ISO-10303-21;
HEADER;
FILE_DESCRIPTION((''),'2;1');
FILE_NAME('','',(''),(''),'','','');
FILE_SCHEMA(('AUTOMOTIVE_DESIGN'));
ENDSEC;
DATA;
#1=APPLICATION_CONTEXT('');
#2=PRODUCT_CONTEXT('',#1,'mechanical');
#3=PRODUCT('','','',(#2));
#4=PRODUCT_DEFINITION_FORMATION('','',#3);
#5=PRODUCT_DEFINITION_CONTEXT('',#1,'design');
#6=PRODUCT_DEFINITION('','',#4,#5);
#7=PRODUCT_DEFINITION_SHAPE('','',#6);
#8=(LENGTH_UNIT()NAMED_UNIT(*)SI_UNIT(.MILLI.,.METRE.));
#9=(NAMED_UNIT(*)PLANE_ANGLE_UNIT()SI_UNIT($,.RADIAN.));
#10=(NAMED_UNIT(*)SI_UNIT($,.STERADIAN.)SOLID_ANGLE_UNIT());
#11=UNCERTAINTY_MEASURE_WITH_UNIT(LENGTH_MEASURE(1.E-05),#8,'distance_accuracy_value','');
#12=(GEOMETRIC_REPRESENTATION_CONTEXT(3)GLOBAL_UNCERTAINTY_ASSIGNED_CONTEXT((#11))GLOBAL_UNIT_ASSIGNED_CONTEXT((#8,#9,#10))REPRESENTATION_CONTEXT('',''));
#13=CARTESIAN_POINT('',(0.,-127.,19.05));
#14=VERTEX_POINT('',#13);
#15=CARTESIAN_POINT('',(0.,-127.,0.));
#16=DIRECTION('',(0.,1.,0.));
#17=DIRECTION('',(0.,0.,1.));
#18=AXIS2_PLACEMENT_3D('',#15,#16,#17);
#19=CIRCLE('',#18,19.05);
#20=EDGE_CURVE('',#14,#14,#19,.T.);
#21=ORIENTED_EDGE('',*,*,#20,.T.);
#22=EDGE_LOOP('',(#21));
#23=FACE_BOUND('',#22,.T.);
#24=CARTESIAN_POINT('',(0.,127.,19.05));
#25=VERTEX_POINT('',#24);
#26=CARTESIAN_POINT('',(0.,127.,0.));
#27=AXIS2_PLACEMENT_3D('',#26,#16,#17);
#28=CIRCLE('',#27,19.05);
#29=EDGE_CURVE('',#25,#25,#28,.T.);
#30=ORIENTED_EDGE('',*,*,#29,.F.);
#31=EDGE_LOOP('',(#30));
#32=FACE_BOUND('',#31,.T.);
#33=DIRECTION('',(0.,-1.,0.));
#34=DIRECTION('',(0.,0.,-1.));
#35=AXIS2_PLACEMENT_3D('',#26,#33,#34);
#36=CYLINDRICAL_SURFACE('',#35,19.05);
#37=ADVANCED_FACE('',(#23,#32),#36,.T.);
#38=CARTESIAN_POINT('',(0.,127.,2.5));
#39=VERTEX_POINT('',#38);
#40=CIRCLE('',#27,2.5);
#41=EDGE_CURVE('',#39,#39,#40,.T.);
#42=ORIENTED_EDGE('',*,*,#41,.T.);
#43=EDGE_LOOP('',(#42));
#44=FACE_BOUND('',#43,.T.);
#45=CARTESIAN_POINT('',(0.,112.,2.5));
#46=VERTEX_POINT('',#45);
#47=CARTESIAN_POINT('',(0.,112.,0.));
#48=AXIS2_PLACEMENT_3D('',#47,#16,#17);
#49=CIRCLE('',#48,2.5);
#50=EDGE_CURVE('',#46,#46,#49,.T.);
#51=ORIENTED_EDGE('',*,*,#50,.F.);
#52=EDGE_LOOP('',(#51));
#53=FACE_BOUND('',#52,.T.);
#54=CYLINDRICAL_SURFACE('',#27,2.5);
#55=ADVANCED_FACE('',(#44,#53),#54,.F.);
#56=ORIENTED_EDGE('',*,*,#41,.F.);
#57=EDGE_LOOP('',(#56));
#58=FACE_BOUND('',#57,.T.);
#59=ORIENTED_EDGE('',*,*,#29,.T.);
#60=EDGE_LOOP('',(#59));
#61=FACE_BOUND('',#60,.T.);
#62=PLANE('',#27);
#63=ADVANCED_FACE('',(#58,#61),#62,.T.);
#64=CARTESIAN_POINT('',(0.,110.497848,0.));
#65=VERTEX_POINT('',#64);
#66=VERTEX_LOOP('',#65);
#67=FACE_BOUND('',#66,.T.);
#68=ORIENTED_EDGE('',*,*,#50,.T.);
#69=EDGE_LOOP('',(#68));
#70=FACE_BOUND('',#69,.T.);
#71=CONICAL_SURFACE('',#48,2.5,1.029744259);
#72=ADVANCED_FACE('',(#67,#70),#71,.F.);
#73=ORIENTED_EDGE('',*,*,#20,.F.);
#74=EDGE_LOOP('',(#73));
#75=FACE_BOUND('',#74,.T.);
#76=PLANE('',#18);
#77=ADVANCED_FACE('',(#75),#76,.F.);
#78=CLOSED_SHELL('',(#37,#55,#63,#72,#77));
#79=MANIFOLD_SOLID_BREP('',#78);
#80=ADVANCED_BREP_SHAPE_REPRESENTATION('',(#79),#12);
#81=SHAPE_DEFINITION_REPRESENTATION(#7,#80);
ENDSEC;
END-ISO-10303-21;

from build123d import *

# Parameters (mm, degrees)
SKETCH1_R                 = 19.05
BOSS_EXTRUDE1_DEPTH       = 127
M6X1_0_TAPPED_HOLE1_D     = 5
M6X1_0_TAPPED_HOLE1_DEPTH = 15
M6X1_0_TAPPED_HOLE1_TIP   = 1.502151548


with BuildPart() as part:
    # Sketch1 → Boss-Extrude1 (new, symmetric)
    with BuildSketch(Plane(origin=(0, 0, 0), x_dir=(1, 0, 0), z_dir=(0, 1, 0))):
        with Locations(Location((0, 0, 0), (0, 0, 270))):
            Circle(SKETCH1_R)
    extrude(amount=BOSS_EXTRUDE1_DEPTH, both=True)

    # M6x1.0 Tapped Hole1
    with Locations(Plane(origin=(0, 127, 0), x_dir=(1, 0, 0), z_dir=(0, 1, 0))):
        with Locations((0, 0)):
            Hole(M6X1_0_TAPPED_HOLE1_D / 2, depth=M6X1_0_TAPPED_HOLE1_DEPTH)
            with Locations((0, 0, -(M6X1_0_TAPPED_HOLE1_DEPTH + M6X1_0_TAPPED_HOLE1_TIP / 2))):  # 118° drill point
                Cone(0, M6X1_0_TAPPED_HOLE1_D / 2, M6X1_0_TAPPED_HOLE1_TIP, mode=Mode.SUBTRACT)


solid = part.part
